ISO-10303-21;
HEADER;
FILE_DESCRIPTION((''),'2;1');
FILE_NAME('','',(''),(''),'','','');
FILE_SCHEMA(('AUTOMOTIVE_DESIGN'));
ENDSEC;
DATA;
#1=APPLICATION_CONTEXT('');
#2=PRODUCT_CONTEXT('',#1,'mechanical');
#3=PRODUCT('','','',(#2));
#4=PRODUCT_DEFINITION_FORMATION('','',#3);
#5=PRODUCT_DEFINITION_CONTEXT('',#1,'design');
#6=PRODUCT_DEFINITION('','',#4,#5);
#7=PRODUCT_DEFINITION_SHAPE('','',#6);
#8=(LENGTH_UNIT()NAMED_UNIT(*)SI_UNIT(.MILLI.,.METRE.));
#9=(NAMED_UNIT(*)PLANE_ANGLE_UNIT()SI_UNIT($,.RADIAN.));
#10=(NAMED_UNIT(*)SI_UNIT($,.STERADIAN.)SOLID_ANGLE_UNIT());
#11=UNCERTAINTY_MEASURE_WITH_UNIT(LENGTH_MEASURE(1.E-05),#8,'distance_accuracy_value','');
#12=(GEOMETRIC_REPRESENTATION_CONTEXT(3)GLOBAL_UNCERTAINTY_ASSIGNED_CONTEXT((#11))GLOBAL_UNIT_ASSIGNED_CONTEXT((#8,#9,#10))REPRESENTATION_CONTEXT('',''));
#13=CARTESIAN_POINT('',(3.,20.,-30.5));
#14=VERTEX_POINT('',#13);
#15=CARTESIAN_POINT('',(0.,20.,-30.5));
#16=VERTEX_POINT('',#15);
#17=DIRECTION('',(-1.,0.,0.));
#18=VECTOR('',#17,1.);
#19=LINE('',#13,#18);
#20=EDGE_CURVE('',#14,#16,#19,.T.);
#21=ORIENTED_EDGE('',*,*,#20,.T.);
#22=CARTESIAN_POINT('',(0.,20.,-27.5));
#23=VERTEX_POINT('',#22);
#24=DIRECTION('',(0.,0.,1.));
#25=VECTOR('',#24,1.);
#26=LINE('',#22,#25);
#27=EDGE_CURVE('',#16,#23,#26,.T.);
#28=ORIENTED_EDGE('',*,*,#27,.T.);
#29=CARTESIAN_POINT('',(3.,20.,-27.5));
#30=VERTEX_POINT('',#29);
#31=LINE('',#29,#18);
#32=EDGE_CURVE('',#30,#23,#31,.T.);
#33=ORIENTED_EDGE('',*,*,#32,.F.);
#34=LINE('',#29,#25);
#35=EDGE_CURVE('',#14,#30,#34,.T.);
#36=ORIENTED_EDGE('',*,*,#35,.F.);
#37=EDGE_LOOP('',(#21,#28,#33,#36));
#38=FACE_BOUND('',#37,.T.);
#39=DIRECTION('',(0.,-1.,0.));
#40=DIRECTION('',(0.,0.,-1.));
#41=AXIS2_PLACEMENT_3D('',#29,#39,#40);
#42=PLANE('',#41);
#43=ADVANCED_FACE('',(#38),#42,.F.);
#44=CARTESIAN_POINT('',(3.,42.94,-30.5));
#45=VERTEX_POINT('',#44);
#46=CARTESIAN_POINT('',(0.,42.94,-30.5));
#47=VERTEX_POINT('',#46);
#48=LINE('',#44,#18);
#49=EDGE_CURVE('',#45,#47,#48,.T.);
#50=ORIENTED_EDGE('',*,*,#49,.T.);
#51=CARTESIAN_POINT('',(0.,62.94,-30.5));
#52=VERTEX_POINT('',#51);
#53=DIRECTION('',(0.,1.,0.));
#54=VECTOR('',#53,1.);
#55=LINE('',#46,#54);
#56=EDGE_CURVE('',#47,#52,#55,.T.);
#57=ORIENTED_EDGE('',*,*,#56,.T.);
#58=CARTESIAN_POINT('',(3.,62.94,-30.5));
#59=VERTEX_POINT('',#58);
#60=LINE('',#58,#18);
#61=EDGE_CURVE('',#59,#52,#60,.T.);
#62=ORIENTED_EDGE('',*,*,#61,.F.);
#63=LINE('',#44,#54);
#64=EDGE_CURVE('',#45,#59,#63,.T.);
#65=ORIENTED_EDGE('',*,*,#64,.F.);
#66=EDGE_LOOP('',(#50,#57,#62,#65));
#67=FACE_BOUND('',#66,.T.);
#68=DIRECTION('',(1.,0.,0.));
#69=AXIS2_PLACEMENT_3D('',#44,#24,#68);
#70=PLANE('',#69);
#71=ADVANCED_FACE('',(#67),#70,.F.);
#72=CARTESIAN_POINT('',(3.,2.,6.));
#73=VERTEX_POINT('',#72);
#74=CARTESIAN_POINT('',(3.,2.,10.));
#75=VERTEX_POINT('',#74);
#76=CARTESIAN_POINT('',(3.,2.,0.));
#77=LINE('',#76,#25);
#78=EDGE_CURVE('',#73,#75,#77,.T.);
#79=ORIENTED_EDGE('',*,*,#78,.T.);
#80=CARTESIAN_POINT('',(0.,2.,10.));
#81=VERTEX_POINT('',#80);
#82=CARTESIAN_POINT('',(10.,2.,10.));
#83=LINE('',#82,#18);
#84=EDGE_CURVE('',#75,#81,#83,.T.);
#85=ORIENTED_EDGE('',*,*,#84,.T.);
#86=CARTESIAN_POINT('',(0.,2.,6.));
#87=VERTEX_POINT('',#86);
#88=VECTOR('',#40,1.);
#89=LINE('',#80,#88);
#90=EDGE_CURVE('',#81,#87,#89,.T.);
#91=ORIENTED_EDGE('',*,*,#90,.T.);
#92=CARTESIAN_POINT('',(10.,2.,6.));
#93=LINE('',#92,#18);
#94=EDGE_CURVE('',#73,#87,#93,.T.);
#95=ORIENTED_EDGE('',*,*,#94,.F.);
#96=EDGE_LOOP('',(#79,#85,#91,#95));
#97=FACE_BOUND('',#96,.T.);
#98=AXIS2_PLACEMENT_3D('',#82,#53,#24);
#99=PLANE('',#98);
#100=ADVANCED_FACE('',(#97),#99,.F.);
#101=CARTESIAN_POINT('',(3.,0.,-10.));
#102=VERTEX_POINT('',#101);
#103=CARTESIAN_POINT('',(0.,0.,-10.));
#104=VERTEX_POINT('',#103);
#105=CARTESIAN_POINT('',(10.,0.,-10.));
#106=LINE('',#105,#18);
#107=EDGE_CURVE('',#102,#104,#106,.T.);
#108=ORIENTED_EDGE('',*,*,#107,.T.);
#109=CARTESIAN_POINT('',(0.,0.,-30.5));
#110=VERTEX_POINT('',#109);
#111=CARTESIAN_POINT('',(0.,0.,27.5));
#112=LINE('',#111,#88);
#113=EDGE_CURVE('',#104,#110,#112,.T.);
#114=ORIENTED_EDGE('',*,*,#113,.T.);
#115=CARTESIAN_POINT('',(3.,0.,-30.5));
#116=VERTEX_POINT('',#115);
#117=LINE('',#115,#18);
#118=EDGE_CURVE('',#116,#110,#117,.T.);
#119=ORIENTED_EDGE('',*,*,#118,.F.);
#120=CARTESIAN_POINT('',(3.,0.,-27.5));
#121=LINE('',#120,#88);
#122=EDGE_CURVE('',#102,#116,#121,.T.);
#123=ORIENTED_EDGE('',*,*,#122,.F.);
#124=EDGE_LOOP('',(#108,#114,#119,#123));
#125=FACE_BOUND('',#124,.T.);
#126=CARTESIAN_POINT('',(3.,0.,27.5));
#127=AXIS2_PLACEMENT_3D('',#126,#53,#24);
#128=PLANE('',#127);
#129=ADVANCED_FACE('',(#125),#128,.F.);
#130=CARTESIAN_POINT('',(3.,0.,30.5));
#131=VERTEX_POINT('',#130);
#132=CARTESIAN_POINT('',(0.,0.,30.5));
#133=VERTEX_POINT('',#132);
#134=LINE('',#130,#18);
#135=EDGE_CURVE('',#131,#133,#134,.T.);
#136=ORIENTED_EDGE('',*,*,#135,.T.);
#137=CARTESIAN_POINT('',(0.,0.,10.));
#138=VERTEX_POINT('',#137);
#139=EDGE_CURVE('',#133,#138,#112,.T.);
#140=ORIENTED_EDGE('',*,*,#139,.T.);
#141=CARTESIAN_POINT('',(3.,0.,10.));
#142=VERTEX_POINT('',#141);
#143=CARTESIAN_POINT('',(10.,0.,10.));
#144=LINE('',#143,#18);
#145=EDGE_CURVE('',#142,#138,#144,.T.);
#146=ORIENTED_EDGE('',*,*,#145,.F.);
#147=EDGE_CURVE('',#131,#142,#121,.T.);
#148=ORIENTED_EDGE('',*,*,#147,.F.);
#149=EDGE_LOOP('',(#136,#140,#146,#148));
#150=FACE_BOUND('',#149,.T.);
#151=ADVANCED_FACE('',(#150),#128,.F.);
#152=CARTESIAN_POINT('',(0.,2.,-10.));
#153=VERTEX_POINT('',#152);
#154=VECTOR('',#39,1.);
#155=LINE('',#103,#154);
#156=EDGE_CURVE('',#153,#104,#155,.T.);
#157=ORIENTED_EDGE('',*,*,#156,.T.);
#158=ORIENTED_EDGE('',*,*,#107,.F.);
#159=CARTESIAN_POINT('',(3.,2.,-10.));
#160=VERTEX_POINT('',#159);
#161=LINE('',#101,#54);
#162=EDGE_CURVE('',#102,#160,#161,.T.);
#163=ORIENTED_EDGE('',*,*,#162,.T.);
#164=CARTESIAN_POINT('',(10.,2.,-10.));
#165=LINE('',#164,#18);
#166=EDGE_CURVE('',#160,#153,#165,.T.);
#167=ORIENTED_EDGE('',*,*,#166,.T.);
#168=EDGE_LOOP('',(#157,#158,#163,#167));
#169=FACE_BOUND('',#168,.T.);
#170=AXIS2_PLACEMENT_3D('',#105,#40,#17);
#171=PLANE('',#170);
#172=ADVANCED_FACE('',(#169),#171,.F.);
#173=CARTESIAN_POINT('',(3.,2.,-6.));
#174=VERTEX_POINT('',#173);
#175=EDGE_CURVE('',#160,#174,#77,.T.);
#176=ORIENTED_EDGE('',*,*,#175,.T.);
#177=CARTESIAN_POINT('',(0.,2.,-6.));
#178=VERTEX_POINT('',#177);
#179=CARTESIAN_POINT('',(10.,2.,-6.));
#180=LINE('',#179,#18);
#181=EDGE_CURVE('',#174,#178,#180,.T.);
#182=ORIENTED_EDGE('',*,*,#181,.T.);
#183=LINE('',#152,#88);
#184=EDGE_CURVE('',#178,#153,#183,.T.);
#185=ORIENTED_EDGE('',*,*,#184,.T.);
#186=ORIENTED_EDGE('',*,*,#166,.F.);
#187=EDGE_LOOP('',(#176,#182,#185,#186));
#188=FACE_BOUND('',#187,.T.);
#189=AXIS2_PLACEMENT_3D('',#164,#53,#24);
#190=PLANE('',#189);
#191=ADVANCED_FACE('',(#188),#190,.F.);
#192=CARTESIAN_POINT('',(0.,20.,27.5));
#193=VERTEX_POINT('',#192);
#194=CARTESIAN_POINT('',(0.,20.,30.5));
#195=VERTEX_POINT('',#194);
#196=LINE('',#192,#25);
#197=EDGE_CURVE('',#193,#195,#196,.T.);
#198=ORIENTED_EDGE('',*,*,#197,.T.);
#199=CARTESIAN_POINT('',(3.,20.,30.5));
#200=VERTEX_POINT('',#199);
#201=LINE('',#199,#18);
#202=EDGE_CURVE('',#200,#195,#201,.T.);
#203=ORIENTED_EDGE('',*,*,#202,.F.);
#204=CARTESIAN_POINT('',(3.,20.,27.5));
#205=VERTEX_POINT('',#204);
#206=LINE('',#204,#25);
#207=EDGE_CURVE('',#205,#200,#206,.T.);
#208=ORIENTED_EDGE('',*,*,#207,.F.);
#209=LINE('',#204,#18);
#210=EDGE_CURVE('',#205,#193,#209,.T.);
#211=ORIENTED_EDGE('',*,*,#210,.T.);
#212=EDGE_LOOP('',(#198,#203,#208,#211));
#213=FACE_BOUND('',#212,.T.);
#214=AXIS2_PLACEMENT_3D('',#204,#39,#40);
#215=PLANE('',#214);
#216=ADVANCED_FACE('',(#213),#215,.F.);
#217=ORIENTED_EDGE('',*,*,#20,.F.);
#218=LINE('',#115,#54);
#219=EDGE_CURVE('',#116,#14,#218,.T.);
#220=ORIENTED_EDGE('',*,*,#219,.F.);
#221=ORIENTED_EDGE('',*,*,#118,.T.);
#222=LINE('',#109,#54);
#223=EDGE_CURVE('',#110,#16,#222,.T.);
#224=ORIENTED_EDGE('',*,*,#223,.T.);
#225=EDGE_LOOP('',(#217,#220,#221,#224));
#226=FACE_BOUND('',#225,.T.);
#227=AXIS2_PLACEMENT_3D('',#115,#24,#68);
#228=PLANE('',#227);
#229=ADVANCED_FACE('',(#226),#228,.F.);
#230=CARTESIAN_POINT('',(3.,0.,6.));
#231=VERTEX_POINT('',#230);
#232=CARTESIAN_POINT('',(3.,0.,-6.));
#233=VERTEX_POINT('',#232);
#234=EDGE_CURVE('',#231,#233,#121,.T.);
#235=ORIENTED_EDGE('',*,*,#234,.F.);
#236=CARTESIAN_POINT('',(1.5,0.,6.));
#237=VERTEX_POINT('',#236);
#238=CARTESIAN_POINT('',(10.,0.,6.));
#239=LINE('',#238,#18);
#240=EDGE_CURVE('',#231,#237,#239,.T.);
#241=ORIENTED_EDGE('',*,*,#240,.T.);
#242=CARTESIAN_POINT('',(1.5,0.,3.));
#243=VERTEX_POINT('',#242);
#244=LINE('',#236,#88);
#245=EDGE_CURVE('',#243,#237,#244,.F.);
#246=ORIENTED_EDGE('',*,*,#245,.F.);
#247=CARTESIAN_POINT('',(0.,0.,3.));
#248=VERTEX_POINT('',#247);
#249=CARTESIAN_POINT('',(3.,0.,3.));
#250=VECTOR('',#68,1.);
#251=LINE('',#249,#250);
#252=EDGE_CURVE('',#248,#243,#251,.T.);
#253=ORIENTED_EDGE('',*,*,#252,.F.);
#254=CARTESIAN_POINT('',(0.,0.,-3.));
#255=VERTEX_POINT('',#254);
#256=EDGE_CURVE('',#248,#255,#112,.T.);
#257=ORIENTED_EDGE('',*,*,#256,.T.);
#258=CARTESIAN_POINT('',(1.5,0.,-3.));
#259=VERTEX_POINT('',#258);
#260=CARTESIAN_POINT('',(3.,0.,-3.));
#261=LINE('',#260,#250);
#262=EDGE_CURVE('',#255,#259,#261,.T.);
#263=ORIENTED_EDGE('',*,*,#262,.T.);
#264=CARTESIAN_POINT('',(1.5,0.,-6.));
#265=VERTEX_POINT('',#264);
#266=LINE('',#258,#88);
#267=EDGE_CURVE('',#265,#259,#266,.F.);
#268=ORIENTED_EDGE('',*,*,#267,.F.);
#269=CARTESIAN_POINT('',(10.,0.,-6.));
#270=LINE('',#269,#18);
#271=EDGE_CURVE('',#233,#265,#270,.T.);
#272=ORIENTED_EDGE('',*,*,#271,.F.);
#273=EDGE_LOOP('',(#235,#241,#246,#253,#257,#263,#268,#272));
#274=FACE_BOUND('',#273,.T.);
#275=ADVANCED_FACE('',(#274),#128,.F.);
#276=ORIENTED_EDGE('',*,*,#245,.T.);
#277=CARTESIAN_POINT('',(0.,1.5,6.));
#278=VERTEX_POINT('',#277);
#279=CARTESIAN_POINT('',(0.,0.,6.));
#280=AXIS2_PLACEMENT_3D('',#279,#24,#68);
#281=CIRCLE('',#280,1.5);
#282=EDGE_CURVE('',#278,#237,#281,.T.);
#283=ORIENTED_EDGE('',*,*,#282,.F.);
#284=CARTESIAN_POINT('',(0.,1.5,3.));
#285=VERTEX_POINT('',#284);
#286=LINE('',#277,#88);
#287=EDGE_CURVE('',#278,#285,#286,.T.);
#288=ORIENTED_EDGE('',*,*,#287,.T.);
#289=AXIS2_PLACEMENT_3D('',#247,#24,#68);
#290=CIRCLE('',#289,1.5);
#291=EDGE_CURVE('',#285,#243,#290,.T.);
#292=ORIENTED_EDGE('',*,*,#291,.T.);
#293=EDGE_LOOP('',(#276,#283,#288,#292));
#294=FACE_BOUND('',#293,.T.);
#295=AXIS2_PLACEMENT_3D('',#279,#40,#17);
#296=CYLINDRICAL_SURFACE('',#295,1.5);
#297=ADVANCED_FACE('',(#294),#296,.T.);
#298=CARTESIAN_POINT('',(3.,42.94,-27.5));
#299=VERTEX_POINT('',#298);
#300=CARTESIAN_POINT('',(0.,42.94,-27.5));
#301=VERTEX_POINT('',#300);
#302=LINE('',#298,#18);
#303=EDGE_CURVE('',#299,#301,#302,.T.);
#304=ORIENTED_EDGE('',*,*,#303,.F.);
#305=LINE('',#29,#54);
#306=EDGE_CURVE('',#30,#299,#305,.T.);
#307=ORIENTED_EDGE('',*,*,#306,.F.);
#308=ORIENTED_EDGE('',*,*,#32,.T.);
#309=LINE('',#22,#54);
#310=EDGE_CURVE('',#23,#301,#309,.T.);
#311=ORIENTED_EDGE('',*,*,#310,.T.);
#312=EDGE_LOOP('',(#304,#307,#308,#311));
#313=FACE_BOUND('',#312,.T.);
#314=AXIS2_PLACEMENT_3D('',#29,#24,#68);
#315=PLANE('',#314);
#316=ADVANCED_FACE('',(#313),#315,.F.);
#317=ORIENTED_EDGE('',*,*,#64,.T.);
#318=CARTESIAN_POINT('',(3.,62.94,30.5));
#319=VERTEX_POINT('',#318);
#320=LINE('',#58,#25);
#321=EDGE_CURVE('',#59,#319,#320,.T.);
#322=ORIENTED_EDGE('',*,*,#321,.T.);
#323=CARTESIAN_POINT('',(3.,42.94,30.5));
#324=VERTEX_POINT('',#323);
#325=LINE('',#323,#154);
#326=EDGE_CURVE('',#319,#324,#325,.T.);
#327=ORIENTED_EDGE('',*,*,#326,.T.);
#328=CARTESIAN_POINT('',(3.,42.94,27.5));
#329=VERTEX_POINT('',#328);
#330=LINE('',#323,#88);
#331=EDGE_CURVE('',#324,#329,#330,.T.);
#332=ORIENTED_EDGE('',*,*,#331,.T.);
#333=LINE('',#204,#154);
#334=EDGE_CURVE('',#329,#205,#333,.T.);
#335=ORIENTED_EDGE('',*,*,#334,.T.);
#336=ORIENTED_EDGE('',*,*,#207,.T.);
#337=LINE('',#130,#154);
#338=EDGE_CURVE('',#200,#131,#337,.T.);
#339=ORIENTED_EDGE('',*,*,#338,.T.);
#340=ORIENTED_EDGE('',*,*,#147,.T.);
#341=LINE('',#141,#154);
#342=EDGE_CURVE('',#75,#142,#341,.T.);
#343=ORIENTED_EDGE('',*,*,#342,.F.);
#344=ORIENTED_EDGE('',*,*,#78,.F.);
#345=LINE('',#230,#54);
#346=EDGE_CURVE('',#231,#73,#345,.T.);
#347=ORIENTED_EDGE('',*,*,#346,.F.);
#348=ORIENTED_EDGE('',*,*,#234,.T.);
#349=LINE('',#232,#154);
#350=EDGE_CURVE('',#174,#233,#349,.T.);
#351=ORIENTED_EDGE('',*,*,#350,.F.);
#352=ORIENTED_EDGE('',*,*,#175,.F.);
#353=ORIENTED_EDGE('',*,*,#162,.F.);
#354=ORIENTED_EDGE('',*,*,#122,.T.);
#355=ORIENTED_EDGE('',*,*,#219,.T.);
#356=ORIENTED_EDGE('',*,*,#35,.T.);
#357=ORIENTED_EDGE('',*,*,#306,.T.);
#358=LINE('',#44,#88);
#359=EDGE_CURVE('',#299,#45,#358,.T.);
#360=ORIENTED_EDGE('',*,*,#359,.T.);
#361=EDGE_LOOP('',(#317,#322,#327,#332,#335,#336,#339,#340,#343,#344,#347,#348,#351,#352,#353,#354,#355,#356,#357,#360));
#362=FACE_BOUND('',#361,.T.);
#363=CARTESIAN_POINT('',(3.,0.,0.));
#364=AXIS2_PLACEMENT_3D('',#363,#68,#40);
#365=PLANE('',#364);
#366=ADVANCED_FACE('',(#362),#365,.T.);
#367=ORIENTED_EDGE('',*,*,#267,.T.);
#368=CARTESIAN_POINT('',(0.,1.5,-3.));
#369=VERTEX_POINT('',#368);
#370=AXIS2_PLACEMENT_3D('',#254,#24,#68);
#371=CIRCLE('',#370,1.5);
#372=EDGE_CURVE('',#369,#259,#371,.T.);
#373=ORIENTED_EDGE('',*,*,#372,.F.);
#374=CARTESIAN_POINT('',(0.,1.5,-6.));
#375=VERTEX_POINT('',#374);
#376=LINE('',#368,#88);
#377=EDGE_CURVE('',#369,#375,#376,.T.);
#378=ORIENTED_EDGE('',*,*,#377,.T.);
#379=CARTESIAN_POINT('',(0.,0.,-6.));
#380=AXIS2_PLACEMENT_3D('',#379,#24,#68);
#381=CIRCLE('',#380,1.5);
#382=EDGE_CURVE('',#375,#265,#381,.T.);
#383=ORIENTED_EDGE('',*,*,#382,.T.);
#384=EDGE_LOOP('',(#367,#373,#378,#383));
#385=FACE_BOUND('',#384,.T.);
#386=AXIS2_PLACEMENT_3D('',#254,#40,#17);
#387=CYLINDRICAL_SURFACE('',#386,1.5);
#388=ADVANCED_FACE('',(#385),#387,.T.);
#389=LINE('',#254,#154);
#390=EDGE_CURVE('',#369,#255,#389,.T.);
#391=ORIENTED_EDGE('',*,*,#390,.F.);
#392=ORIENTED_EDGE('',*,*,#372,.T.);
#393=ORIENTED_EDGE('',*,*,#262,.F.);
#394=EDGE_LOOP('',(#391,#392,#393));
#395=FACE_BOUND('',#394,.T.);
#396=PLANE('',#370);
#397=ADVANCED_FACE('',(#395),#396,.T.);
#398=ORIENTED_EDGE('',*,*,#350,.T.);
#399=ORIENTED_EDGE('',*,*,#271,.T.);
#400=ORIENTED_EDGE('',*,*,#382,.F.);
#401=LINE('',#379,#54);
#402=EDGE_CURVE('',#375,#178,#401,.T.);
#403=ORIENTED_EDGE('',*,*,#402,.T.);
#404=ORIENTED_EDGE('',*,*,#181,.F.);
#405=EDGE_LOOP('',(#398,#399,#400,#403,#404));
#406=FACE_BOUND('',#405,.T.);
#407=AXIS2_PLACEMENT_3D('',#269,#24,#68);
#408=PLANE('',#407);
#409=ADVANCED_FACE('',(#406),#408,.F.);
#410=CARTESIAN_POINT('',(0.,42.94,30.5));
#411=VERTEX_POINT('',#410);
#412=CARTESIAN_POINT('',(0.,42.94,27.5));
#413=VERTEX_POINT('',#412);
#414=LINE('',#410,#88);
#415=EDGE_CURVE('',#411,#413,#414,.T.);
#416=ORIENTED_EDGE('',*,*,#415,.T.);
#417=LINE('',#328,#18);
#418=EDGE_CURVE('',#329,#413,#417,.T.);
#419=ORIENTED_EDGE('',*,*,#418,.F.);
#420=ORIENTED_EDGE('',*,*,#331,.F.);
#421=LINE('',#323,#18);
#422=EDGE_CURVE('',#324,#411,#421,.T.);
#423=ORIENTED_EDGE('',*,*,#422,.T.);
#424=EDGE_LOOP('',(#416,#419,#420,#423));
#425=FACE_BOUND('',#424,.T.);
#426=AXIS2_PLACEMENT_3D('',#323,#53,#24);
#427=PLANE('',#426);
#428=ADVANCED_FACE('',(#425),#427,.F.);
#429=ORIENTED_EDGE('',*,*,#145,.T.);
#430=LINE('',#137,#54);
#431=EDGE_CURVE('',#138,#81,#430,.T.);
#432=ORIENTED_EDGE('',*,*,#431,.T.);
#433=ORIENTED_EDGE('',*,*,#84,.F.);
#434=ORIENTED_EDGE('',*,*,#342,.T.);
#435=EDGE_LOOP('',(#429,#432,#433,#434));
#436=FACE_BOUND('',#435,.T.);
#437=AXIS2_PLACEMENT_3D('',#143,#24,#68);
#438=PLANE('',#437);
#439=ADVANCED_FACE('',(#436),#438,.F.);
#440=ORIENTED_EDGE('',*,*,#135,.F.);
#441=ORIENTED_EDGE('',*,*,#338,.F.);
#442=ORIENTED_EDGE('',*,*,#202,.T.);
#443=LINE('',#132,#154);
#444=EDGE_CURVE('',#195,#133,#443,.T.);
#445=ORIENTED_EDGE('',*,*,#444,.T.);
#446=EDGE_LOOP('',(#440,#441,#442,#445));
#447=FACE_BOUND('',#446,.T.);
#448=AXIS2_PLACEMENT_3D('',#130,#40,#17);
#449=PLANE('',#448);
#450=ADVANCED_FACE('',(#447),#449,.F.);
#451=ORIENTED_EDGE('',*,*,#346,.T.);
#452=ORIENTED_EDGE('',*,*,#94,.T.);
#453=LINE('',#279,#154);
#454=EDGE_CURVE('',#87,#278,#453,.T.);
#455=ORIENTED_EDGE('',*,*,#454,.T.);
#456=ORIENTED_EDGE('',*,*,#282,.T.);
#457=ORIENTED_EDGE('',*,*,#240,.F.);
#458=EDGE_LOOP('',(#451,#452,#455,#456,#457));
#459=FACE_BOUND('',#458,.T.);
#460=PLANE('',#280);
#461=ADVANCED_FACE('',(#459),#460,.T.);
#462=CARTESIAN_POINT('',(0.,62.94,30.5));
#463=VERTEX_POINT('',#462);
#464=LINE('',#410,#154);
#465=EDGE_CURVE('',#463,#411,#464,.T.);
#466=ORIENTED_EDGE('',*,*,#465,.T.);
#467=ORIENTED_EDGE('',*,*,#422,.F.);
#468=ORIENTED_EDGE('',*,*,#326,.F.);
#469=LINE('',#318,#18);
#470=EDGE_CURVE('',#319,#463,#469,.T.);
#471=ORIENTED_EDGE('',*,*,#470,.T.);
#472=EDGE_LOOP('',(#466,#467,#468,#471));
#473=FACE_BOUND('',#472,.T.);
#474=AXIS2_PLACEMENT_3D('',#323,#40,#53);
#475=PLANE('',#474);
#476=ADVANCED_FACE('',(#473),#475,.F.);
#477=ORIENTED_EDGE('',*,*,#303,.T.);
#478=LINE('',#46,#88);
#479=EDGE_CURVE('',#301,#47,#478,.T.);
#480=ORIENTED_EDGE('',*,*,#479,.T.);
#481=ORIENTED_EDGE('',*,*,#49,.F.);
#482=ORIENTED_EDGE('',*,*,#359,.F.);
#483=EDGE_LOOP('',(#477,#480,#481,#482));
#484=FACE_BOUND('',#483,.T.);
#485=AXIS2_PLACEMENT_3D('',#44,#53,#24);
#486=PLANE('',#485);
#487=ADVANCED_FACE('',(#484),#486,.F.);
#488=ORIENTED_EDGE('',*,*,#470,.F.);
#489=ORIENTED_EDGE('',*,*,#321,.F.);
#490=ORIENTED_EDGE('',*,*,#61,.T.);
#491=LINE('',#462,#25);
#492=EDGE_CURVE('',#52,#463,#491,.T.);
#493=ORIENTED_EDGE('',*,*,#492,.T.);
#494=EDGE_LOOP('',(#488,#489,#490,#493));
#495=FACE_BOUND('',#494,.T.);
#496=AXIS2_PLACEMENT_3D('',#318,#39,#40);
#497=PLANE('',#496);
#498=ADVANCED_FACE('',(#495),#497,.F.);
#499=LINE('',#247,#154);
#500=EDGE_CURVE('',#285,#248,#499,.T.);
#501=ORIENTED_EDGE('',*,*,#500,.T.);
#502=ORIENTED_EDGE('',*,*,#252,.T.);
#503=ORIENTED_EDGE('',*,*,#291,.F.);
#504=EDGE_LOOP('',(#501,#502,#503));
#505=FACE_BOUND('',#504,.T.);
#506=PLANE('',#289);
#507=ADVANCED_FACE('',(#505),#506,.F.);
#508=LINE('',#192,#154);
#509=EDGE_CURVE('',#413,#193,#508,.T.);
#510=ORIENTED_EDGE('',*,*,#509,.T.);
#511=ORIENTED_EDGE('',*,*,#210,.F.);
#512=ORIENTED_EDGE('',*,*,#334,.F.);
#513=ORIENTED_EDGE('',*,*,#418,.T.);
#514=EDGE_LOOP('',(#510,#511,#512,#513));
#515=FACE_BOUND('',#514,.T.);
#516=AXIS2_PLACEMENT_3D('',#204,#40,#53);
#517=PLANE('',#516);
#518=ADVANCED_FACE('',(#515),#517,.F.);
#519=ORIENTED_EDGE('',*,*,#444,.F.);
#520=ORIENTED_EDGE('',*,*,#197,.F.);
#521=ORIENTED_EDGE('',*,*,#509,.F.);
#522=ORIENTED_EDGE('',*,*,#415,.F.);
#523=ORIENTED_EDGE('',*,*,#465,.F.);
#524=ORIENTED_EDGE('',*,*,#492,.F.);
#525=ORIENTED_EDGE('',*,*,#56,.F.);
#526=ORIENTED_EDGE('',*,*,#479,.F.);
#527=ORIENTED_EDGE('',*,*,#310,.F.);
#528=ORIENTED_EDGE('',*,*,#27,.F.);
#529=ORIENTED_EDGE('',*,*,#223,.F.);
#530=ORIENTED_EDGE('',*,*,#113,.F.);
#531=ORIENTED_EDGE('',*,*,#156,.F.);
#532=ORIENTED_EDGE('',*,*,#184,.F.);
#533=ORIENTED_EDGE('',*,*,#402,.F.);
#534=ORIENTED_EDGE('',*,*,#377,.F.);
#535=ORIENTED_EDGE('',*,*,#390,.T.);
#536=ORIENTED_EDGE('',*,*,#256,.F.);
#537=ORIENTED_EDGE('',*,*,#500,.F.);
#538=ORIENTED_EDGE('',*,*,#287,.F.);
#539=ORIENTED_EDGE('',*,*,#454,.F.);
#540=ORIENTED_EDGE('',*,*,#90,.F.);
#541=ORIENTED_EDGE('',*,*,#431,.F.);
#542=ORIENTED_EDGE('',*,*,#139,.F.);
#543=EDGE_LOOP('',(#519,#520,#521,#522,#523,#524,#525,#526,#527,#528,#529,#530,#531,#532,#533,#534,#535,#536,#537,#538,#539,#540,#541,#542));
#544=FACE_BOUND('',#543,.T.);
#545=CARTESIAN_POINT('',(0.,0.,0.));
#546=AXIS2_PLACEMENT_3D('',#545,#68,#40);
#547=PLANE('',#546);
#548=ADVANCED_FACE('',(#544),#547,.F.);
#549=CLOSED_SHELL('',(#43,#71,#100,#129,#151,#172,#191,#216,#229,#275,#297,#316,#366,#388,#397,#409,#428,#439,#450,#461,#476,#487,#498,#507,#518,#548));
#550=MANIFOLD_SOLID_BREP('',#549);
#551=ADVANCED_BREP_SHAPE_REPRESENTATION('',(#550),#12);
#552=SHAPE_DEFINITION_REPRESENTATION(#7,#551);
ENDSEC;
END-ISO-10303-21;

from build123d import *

# Parameters (mm, degrees)
BOSS_EXTRUDE1_DEPTH = 3
SKETCH4_R           = 1.5
BOSS_EXTRUDE2_DEPTH = 3
SKETCH5_W           = 4
SKETCH5_H           = 2
CUT_EXTRUDE1_DEPTH  = 10
LPATTERN1_COUNT     = 2
LPATTERN1_PITCH     = 9


with BuildPart() as part:
    # Sketch1 → Boss-Extrude1 (new body)
    with BuildSketch(Plane(origin=(0, 0, 0), x_dir=(0, 0, -1), z_dir=(1, 0, 0))):
        Polygon((-27.5, 0), (27.5, 0), (30.5, 0), (30.5, 20), (27.5, 20), (27.5, 42.94), (30.5, 42.94), (30.5, 62.94), (27.5, 62.94), (-27.5, 62.94), (-30.5, 62.94), (-30.5, 42.94), (-27.5, 42.94), (-27.5, 20), (-30.5, 20), (-30.5, 0), align=None)
    extrude(amount=BOSS_EXTRUDE1_DEPTH)

    # Sketch4 → Boss-Extrude2 (add)
    with BuildSketch(Plane.XY.offset(3)):
        Circle(SKETCH4_R)
    boss_extrude2 = extrude(amount=BOSS_EXTRUDE2_DEPTH)

    # Sketch5 → Cut-Extrude1 (cut)
    with BuildSketch(Plane.ZY):
        with Locations((-8, 1)):
            Rectangle(SKETCH5_W, SKETCH5_H)
        with Locations((8, 1)):
            Rectangle(SKETCH5_W, SKETCH5_H)
    extrude(amount=-CUT_EXTRUDE1_DEPTH, mode=Mode.SUBTRACT)

    # LPattern1: Boss-Extrude2 ×2
    with Locations(*[(0, 0, -i * LPATTERN1_PITCH) for i in range(1, LPATTERN1_COUNT)]):
        add(boss_extrude2)


solid = part.part
